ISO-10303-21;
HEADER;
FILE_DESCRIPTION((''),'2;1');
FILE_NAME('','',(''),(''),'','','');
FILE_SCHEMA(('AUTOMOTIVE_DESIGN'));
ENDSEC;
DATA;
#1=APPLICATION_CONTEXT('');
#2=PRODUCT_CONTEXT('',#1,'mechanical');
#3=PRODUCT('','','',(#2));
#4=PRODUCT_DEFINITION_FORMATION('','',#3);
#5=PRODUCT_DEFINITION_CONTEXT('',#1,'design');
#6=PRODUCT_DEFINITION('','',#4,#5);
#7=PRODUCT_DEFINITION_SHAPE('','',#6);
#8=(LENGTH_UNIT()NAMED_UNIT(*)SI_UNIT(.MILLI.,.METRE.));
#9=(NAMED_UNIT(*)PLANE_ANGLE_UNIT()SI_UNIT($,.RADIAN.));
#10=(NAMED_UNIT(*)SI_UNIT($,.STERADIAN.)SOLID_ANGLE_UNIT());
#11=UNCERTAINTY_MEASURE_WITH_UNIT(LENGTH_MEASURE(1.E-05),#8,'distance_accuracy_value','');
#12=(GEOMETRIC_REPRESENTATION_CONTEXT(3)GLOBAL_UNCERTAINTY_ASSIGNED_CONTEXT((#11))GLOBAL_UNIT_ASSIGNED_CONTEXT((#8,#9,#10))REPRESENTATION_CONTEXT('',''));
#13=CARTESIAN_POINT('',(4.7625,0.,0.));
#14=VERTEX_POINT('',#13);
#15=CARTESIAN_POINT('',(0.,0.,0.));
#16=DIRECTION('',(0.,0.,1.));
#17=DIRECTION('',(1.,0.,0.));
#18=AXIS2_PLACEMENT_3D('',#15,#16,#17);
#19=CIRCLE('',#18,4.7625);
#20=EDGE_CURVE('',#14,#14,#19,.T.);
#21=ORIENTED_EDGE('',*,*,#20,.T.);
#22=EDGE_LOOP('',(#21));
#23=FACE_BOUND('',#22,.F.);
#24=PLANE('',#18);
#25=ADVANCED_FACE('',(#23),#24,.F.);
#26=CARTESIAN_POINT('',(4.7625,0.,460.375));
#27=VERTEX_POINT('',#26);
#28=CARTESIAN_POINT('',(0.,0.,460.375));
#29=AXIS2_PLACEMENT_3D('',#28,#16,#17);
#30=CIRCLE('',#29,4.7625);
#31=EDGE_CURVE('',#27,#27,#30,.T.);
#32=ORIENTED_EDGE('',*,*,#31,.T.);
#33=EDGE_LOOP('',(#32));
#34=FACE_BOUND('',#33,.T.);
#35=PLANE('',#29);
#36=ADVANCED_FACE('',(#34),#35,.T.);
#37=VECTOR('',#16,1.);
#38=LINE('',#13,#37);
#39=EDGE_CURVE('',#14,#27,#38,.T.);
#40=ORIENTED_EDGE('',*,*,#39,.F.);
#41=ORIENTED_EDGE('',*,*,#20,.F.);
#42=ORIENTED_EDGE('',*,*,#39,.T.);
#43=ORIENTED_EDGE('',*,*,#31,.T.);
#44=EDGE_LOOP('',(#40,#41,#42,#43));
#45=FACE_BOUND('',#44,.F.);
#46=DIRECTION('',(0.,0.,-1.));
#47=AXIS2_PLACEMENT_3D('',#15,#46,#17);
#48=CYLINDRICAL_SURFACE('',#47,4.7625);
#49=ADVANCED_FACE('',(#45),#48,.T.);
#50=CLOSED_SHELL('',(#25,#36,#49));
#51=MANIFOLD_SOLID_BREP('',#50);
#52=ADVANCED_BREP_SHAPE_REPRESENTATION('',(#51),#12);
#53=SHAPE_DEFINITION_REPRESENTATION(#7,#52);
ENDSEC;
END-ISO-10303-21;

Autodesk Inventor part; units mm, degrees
ref_plane "YZ Plane" through (0, 0, 0) normal (1, 0, 0) x (0, 1, 0)
ref_plane "XZ Plane" through (0, 0, 0) normal (0, 1, 0) x (-1, 0, 0)
ref_plane "XY Plane" through (0, 0, 0) normal (0, 0, 1) x (1, 0, 0)
sketch "Sketch1" plane through (0, 0, 0) normal (0, 0, 1) x (1, 0, 0)
  circle A0 centre (0, 0) radius 4.7625
  dimension "d0" = 9.525
extrude "Extrusion1" add sketch "Sketch1" along normal blind 460.375
properties part number "pin shaft"
